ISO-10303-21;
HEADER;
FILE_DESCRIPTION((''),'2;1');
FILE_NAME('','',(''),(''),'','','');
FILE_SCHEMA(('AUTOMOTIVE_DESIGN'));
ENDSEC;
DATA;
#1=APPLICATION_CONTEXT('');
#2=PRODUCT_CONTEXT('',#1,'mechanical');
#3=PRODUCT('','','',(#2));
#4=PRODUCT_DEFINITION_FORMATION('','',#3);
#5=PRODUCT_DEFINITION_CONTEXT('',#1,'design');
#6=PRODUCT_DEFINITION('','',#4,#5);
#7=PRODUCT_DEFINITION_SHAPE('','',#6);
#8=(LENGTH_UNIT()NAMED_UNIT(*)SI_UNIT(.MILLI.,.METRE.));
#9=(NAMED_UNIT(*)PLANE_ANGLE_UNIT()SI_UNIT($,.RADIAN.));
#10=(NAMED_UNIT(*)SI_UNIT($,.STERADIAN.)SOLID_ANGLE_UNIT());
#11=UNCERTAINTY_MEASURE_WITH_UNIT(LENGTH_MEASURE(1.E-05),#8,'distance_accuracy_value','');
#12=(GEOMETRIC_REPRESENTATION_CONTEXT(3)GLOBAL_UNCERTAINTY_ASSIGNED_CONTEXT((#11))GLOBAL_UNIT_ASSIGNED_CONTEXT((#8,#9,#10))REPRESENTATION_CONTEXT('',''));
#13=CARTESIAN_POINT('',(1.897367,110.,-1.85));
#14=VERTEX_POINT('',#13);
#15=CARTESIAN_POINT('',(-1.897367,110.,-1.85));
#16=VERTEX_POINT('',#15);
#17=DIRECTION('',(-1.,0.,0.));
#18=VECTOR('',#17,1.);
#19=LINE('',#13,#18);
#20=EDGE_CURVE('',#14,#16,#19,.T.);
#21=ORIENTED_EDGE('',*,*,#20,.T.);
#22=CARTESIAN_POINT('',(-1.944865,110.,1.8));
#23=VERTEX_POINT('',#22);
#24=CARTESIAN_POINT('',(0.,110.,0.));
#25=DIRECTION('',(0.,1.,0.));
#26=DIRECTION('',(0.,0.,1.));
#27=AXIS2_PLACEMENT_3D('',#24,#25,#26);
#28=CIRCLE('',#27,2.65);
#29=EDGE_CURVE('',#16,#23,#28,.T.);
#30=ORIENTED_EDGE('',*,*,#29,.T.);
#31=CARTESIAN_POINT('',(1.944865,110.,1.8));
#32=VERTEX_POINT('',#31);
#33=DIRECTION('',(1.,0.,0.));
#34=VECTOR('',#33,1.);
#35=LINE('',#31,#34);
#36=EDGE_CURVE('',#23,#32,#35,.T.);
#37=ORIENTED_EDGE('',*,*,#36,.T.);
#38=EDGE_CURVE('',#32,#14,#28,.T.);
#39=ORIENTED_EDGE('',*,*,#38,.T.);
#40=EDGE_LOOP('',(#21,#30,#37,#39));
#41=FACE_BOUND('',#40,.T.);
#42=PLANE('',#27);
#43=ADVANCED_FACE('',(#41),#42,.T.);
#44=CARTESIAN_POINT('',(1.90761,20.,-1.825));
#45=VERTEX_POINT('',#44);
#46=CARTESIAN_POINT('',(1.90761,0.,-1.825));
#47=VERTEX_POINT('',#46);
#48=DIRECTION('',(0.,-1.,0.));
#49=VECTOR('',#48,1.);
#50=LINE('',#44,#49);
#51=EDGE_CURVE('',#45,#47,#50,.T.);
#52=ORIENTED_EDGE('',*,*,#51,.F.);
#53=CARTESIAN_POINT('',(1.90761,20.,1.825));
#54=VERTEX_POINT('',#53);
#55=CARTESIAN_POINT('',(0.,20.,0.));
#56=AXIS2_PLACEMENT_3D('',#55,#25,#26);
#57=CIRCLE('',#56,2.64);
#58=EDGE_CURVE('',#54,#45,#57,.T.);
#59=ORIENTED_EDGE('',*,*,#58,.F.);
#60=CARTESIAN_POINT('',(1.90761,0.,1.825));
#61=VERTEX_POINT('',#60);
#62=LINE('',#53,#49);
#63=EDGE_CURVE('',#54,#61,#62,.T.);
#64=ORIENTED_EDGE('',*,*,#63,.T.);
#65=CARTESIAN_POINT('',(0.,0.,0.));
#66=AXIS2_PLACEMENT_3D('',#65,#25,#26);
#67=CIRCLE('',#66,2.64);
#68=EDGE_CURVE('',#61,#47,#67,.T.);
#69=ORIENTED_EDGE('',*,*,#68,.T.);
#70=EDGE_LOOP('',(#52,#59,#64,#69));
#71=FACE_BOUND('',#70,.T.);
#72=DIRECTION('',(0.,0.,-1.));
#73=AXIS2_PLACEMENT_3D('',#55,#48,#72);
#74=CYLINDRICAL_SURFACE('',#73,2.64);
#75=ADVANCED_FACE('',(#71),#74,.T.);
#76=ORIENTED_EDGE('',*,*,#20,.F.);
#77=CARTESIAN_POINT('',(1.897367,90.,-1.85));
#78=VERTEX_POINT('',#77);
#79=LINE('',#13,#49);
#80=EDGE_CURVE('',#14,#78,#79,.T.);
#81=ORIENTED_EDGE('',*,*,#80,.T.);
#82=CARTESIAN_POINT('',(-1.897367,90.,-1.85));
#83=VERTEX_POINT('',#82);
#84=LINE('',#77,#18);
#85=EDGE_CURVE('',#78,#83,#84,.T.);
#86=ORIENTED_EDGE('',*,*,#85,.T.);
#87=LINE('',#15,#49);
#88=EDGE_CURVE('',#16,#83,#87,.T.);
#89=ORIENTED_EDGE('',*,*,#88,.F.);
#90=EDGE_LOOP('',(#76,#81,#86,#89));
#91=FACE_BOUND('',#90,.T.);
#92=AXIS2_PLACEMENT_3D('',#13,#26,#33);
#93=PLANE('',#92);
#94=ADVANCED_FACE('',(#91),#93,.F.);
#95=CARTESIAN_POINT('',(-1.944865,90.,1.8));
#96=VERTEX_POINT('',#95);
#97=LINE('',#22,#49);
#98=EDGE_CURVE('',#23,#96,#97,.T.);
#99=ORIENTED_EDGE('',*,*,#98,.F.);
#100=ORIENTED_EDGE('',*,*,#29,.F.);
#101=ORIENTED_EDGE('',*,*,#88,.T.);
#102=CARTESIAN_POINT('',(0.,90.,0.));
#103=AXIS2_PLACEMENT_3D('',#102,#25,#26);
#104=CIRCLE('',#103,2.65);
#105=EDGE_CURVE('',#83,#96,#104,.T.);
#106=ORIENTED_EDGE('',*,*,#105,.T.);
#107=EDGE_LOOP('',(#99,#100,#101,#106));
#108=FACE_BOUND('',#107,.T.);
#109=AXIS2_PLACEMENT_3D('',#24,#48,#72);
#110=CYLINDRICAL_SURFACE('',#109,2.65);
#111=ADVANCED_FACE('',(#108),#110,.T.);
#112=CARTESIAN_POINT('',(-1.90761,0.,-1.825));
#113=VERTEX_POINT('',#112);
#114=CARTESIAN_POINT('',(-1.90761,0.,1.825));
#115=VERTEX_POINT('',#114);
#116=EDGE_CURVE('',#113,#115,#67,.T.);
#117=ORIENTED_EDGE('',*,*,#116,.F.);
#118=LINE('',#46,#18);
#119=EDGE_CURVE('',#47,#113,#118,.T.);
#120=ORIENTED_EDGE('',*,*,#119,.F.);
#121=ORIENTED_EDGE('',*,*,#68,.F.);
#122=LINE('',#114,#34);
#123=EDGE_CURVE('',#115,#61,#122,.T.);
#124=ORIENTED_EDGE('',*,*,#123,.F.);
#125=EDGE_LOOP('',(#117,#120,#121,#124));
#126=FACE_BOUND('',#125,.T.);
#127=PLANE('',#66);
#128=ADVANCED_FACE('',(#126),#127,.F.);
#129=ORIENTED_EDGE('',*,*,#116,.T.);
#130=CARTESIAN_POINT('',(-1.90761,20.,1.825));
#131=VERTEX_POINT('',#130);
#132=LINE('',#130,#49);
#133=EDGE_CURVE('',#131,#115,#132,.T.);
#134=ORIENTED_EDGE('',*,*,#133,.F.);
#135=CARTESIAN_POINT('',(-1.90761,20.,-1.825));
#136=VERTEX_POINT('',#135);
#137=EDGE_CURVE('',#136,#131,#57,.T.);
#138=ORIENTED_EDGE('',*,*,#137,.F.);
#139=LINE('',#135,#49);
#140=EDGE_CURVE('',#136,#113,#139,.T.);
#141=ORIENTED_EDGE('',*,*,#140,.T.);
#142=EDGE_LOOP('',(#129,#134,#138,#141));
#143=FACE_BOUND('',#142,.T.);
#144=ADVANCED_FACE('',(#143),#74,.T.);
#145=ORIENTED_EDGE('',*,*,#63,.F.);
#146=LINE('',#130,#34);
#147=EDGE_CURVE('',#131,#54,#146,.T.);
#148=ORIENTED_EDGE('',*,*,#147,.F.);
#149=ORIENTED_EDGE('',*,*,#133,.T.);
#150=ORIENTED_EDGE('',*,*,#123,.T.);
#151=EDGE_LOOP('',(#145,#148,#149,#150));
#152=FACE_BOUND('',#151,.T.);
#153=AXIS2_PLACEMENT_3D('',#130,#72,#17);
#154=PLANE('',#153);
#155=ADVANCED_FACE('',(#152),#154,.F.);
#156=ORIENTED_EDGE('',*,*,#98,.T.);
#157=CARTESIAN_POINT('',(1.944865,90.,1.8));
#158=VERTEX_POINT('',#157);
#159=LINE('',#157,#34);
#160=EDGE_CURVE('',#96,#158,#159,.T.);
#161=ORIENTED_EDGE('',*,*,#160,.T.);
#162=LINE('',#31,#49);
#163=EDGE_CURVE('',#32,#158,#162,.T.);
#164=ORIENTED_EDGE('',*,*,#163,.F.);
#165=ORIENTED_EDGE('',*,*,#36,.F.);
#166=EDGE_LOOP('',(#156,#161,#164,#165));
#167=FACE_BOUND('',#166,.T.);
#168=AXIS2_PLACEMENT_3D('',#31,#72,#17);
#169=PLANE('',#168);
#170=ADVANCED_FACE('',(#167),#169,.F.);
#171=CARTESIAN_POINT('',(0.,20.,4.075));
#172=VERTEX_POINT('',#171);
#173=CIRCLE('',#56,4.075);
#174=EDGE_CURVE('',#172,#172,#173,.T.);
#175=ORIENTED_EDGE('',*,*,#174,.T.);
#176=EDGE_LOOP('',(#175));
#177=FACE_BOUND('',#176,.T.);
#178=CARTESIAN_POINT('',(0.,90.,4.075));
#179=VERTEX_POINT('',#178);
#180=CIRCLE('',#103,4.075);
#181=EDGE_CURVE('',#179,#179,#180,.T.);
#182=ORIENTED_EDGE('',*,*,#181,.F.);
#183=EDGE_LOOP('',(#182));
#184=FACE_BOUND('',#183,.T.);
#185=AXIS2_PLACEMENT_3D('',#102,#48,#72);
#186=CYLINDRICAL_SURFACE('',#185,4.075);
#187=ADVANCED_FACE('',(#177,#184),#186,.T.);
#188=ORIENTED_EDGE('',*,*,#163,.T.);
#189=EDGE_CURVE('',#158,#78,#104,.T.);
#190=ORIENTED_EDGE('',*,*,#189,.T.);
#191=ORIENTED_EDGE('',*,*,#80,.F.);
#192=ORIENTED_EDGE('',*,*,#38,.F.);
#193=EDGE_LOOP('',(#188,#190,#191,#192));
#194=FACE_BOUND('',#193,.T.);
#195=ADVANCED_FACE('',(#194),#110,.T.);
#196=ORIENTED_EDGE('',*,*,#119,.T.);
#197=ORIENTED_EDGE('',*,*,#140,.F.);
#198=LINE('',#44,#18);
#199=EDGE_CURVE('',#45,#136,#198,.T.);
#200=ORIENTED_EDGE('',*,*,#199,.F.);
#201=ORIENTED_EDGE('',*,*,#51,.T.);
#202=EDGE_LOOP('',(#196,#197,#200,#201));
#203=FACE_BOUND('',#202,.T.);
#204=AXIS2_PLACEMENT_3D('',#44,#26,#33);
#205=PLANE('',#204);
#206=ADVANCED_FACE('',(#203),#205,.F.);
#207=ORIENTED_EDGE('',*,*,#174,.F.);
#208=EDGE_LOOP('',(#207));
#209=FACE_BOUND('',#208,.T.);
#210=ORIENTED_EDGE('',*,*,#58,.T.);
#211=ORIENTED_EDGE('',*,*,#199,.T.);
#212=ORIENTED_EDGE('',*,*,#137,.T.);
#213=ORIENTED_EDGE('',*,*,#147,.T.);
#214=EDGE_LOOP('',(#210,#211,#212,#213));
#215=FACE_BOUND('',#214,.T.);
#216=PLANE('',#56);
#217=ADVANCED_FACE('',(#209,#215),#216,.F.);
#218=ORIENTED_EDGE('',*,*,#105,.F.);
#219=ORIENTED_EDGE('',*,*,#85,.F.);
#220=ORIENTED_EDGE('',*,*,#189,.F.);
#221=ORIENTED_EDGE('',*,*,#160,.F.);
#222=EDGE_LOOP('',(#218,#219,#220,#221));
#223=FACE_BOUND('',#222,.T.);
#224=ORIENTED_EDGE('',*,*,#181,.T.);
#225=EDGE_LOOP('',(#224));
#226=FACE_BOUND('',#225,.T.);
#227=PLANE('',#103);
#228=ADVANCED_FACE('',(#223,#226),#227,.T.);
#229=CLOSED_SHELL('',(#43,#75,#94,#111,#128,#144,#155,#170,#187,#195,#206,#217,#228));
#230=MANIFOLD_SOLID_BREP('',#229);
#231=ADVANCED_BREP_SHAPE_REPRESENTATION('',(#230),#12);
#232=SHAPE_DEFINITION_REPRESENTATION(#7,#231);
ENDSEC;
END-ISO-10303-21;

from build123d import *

# Parameters (mm, degrees)
BOSS_EXTRUDE1_DEPTH = 20
SKETCH2_R           = 4.075
BOSS_EXTRUDE2_DEPTH = 70
BOSS_EXTRUDE3_DEPTH = 20


with BuildPart() as part:
    # Sketch1 → Boss-Extrude1 (new body)
    with BuildSketch(Plane(origin=(0, 0, 0), x_dir=(1, 0, 0), z_dir=(0, 1, 0))):
        with BuildLine():
            Line((1.907609761, 1.825), (-1.907609761, 1.825))
            ThreePointArc((-1.907609761, 1.825), (-2.64, 0), (-1.907609761, -1.825))
            Line((-1.907609761, -1.825), (1.907609761, -1.825))
            ThreePointArc((1.907609761, -1.825), (2.64, 0), (1.907609761, 1.825))
        make_face()
    extrude(amount=BOSS_EXTRUDE1_DEPTH)

    # Sketch2 → Boss-Extrude2 (add)
    with BuildSketch(Plane(origin=(0, 20, 0), x_dir=(1, 0, 0), z_dir=(0, 1, 0))):
        with Locations(Location((0, 0, 0), (0, 0, 270))):
            Circle(SKETCH2_R)
    extrude(amount=BOSS_EXTRUDE2_DEPTH)

    # Sketch3 → Boss-Extrude3 (add)
    with BuildSketch(Plane(origin=(0, 90, 0), x_dir=(1, 0, 0), z_dir=(0, 1, 0))):
        with BuildLine():
            Line((1.897366596, 1.85), (-1.897366596, 1.85))
            ThreePointArc((-1.897366596, 1.85), (-2.649775646, 0.034482248), (-1.944865034, -1.8))
            Line((-1.944865034, -1.8), (1.944865034, -1.8))
            ThreePointArc((1.944865034, -1.8), (2.649775646, 0.034482248), (1.897366596, 1.85))
        make_face()
    extrude(amount=BOSS_EXTRUDE3_DEPTH)


solid = part.part
